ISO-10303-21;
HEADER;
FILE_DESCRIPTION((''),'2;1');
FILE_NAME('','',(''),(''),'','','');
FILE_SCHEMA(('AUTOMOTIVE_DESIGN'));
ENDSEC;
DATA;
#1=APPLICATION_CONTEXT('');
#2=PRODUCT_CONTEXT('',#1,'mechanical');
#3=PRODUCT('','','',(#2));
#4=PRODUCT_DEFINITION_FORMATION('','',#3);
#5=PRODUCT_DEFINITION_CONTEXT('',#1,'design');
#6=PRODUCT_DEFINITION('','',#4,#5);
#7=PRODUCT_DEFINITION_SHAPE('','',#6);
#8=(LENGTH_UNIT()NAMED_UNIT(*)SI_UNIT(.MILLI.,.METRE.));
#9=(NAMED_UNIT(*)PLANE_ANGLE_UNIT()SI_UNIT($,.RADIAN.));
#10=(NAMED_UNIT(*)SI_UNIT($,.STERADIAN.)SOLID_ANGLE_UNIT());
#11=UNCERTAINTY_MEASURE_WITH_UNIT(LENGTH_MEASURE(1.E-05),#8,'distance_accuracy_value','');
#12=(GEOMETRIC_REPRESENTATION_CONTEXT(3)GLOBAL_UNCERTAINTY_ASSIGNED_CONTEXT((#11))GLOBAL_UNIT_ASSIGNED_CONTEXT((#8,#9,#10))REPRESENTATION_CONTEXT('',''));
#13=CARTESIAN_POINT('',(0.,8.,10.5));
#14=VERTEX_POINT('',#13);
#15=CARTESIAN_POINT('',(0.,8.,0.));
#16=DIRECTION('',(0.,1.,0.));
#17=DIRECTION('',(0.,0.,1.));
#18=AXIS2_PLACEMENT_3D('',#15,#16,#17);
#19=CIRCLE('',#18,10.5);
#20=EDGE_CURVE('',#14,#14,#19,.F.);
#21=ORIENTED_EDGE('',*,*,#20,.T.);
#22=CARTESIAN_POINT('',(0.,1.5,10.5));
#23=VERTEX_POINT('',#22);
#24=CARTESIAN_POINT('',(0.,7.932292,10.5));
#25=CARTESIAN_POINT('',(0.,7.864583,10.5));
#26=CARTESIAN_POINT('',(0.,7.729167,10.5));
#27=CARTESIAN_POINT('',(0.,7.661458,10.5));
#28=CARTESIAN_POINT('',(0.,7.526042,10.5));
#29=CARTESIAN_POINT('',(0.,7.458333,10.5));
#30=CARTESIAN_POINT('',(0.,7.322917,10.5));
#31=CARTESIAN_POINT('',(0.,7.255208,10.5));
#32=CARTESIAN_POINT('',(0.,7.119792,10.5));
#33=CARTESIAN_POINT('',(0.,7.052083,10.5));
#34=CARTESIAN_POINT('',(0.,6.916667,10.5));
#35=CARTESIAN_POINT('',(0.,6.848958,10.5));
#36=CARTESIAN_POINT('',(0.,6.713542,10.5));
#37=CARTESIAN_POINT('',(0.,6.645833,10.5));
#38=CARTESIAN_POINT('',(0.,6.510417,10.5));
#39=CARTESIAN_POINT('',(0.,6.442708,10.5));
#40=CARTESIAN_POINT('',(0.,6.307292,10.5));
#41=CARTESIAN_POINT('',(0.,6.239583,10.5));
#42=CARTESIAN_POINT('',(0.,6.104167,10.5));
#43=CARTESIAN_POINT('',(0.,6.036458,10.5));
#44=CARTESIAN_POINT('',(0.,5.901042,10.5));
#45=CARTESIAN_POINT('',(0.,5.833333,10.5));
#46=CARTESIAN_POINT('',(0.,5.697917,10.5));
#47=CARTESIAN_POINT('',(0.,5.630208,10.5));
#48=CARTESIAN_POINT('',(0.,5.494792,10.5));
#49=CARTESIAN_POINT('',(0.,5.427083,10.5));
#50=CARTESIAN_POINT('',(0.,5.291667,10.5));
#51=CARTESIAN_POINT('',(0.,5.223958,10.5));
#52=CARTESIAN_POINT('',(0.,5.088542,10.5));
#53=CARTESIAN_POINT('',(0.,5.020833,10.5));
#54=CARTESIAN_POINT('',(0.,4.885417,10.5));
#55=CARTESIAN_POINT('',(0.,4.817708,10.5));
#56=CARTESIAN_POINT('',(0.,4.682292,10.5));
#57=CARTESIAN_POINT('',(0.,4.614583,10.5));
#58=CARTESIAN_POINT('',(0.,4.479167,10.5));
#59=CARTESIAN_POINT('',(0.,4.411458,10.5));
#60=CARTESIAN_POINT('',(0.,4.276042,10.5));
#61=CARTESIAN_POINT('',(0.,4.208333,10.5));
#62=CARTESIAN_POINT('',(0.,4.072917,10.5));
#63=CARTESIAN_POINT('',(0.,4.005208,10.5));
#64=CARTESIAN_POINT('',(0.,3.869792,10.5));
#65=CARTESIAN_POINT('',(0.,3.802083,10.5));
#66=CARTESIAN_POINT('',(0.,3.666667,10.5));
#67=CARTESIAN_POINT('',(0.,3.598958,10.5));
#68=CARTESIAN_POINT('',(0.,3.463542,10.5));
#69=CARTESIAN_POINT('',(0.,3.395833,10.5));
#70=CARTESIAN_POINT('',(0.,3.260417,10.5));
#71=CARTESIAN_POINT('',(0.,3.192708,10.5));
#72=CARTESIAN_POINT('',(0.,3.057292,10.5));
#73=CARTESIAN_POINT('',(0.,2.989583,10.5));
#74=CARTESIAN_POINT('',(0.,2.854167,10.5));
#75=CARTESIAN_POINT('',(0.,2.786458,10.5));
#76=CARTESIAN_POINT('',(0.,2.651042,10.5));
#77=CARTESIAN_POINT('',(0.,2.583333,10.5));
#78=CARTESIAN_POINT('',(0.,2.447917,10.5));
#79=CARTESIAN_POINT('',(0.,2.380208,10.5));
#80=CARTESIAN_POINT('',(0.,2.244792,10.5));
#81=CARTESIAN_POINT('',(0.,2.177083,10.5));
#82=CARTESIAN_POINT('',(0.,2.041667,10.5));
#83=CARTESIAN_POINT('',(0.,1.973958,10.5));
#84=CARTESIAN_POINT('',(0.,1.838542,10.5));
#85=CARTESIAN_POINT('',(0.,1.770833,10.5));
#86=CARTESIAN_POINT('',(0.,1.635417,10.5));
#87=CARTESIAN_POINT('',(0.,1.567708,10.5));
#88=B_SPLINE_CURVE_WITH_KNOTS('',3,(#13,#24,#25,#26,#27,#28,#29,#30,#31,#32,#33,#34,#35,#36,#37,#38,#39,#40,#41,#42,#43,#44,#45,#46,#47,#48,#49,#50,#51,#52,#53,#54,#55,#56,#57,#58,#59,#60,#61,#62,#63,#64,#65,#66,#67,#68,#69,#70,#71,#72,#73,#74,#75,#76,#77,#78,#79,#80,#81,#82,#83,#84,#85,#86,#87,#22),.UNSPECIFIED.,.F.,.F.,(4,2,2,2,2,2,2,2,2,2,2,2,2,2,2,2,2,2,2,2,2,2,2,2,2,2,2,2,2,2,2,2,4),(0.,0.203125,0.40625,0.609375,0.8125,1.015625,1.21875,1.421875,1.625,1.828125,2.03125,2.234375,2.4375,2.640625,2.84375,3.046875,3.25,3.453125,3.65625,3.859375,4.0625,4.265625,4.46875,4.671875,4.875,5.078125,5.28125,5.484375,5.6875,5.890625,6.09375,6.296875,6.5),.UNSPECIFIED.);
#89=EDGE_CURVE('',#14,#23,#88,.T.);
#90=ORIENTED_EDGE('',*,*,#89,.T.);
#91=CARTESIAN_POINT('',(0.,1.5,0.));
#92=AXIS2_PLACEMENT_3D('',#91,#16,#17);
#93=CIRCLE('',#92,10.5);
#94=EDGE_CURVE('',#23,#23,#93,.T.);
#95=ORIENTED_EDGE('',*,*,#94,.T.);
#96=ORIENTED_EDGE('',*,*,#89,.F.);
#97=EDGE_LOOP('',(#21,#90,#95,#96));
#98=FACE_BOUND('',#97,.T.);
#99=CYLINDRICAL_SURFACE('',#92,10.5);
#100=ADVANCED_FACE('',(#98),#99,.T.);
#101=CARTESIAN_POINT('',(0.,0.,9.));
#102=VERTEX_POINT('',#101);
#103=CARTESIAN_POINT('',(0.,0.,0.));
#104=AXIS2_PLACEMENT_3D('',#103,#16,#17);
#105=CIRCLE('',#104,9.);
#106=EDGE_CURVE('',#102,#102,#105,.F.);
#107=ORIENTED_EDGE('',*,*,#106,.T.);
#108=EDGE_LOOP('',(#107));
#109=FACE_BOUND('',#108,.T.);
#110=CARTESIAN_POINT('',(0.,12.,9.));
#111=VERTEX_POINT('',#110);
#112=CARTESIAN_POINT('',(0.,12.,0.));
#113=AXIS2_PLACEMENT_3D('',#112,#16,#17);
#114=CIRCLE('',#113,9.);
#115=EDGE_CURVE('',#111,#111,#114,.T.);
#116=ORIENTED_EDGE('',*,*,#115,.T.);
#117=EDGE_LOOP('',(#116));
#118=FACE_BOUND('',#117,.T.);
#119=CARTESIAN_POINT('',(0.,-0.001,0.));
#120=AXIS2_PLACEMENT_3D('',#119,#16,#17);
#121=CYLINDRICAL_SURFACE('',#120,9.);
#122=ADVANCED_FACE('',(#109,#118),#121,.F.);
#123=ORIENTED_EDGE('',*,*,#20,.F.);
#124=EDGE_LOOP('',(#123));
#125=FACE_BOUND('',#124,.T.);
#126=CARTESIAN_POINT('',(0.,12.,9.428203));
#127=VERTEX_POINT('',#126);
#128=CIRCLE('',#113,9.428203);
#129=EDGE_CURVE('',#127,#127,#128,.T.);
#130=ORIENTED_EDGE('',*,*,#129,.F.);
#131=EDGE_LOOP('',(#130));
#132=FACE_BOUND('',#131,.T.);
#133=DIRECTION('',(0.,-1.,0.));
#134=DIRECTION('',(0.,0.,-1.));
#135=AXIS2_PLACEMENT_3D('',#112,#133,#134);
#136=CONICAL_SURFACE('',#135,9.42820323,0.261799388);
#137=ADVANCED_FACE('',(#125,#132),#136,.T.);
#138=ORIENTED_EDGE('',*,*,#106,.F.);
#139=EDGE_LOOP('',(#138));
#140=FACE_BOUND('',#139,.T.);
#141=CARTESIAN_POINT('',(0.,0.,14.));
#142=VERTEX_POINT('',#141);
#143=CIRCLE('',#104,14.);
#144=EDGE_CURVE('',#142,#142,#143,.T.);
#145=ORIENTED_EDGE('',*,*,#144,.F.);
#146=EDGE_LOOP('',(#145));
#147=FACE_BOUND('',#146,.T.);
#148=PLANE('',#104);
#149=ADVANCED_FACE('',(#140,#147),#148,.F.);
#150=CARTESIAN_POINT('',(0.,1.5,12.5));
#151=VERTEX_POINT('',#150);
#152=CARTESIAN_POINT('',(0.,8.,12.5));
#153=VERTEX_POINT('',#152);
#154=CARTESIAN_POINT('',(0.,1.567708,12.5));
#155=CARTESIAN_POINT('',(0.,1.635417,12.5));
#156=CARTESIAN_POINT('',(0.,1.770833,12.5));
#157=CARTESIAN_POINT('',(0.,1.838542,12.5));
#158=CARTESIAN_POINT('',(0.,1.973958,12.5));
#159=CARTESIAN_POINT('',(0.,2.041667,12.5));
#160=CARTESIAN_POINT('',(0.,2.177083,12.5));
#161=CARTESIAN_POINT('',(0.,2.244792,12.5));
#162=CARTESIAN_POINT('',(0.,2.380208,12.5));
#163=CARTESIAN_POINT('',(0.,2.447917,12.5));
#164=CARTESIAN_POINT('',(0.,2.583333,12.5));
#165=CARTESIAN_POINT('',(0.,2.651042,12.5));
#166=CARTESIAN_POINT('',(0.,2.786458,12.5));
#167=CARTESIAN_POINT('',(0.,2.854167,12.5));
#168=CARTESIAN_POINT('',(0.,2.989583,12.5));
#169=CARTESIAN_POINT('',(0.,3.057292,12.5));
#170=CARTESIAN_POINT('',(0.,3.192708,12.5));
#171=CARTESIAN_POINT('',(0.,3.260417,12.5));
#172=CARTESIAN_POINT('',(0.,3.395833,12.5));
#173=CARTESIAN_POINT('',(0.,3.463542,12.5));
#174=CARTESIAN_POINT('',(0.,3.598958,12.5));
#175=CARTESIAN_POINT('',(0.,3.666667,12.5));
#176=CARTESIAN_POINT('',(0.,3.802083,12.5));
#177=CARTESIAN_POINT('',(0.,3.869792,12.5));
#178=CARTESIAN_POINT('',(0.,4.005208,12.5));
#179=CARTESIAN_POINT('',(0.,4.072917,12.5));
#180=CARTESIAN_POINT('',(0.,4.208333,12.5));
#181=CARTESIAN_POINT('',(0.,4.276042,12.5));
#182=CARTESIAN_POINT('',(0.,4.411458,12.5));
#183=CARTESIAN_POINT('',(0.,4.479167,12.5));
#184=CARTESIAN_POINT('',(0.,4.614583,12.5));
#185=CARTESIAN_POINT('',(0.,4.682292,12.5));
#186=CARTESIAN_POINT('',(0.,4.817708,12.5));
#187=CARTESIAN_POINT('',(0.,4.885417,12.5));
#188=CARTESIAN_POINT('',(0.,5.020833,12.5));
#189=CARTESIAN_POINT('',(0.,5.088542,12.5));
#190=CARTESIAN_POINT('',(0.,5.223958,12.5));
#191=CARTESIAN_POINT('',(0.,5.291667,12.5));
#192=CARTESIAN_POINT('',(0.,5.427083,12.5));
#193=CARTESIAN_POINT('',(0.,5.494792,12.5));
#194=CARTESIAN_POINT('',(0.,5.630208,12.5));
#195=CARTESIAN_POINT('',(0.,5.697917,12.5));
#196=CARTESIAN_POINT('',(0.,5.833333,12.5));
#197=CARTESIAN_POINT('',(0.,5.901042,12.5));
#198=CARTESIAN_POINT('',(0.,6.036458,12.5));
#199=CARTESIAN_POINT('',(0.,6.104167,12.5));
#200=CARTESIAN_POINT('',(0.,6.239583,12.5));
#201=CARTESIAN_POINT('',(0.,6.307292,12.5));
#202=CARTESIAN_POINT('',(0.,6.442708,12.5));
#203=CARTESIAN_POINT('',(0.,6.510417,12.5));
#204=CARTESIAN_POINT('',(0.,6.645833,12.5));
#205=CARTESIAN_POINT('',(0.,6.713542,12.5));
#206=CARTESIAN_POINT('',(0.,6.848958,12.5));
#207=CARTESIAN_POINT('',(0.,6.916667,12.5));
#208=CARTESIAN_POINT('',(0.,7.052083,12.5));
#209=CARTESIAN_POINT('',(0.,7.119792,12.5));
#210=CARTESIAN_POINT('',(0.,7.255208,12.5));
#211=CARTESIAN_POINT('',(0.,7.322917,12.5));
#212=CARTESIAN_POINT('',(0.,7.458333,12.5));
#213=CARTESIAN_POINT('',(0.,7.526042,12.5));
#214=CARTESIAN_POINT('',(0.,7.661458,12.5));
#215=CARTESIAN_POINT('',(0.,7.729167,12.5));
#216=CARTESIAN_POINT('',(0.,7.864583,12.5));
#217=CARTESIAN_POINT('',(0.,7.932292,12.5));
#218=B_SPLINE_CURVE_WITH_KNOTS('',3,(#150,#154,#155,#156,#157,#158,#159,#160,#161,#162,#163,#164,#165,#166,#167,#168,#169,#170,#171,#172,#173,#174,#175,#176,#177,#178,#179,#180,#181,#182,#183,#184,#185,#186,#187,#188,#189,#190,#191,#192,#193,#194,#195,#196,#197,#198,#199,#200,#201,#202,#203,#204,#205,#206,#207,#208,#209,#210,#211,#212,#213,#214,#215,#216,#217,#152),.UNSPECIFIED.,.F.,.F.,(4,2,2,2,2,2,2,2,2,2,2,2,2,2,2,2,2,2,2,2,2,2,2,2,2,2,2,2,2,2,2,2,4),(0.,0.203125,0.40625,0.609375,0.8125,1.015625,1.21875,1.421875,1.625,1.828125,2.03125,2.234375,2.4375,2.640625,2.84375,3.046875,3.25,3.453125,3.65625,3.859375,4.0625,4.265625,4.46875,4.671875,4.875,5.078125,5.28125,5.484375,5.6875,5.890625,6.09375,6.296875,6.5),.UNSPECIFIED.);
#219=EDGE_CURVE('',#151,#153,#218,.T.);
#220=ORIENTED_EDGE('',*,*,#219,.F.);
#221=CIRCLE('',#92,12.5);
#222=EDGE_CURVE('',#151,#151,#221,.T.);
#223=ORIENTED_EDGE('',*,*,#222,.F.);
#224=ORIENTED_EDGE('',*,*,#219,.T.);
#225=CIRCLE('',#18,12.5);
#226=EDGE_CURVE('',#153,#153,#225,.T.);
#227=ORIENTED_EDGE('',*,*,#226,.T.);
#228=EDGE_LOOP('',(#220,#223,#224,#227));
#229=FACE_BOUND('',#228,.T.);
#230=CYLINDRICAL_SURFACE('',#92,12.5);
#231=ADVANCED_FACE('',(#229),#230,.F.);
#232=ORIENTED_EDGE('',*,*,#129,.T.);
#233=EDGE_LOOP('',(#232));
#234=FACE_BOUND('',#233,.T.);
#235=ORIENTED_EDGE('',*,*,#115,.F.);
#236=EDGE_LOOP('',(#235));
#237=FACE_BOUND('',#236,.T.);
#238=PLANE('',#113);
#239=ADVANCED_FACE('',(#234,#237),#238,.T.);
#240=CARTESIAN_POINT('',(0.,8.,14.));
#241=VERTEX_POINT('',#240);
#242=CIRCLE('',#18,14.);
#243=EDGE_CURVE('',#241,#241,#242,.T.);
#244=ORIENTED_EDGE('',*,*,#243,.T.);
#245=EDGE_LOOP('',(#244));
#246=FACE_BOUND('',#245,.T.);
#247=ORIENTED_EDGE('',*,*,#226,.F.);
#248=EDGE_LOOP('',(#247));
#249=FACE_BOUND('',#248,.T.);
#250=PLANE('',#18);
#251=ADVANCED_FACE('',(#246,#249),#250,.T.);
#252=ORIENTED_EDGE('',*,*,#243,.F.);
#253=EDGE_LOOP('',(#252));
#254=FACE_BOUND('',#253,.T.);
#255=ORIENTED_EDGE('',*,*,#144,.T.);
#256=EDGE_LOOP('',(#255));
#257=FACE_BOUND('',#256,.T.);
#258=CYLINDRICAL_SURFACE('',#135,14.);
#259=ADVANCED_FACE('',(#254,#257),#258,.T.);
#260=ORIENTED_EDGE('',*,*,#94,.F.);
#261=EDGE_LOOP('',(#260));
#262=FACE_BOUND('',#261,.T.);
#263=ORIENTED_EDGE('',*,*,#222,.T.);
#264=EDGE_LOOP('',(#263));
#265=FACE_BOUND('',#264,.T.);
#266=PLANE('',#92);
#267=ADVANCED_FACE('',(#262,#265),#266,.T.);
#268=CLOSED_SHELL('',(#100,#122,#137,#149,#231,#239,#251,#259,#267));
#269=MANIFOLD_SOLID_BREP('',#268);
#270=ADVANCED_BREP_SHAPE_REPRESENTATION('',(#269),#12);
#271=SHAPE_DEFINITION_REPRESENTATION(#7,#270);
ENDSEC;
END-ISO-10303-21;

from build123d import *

# Parameters (mm, degrees)
SKETCH1_R           = 14
BOSS_EXTRUDE1_DEPTH = 12
CUT_EXTRUDE1_REACH  = 25.152
SKETCH2_R           = 9
SKETCH3_R           = 12.5
SKETCH3_R_2         = 10.5
CUT_EXTRUDE2_DEPTH  = 10.5
SKETCH4_R           = 14
SKETCH4_R_2         = 12.5
CUT_EXTRUDE3_DEPTH  = 4
CHAMFER1_SIZE       = 4
CHAMFER1_SIZE2      = 1.07179677


with BuildPart() as part:
    # Sketch1 → Boss-Extrude1 (new body)
    with BuildSketch(Plane(origin=(0, 0, 0), x_dir=(1, 0, 0), z_dir=(0, 1, 0))):
        with Locations(Location((0, 0, 0), (0, 0, 270))):
            Circle(SKETCH1_R)
    extrude(amount=BOSS_EXTRUDE1_DEPTH)

    # Sketch2 → Cut-Extrude1 (cut, up to next)
    with BuildSketch(Plane(origin=(0, 12, 0), x_dir=(1, 0, 0), z_dir=(0, 1, 0)), mode=Mode.PRIVATE) as cut_extrude1_sk1:
        with Locations(Location((0, 0, 0), (0, 0, 270))):
            Circle(SKETCH2_R)
    cut_extrude1_tool1 = extrude(cut_extrude1_sk1.sketch, amount=-CUT_EXTRUDE1_REACH, mode=Mode.PRIVATE) & part.part
    add(cut_extrude1_tool1.solids().sort_by_distance((0, 12, 0))[0], mode=Mode.SUBTRACT)

    # Sketch3 → Cut-Extrude2 (cut)
    with BuildSketch(Plane(origin=(0, 12, 0), x_dir=(1, 0, 0), z_dir=(0, 1, 0))):
        with Locations(Location((0, 0, 0), (0, 0, 270))):
            Circle(SKETCH3_R)
        with Locations(Location((0, 0, 0), (0, 0, 270))):
            Circle(SKETCH3_R_2, mode=Mode.SUBTRACT)
    extrude(amount=-CUT_EXTRUDE2_DEPTH, mode=Mode.SUBTRACT)

    # Sketch4 → Cut-Extrude3 (cut)
    with BuildSketch(Plane(origin=(0, 12, 0), x_dir=(1, 0, 0), z_dir=(0, 1, 0))):
        with Locations(Location((0, 0, 0), (0, 0, 270))):
            Circle(SKETCH4_R)
        with Locations(Location((0, 0, 0), (0, 0, 270))):
            Circle(SKETCH4_R_2, mode=Mode.SUBTRACT)
    extrude(amount=-CUT_EXTRUDE3_DEPTH, mode=Mode.SUBTRACT)

    # Chamfer1
    chamfer1_edges = [part.edges().sort_by_distance(p)[0] for p in [
        (0, 12, -10.5),
    ]]
    chamfer1_side = [part.faces().sort_by_distance(p)[0] for p in [
        (0, 6.75, -10.5),
    ]]
    chamfer(chamfer1_edges, length=CHAMFER1_SIZE, length2=CHAMFER1_SIZE2, reference=chamfer1_side[0])


solid = part.part
